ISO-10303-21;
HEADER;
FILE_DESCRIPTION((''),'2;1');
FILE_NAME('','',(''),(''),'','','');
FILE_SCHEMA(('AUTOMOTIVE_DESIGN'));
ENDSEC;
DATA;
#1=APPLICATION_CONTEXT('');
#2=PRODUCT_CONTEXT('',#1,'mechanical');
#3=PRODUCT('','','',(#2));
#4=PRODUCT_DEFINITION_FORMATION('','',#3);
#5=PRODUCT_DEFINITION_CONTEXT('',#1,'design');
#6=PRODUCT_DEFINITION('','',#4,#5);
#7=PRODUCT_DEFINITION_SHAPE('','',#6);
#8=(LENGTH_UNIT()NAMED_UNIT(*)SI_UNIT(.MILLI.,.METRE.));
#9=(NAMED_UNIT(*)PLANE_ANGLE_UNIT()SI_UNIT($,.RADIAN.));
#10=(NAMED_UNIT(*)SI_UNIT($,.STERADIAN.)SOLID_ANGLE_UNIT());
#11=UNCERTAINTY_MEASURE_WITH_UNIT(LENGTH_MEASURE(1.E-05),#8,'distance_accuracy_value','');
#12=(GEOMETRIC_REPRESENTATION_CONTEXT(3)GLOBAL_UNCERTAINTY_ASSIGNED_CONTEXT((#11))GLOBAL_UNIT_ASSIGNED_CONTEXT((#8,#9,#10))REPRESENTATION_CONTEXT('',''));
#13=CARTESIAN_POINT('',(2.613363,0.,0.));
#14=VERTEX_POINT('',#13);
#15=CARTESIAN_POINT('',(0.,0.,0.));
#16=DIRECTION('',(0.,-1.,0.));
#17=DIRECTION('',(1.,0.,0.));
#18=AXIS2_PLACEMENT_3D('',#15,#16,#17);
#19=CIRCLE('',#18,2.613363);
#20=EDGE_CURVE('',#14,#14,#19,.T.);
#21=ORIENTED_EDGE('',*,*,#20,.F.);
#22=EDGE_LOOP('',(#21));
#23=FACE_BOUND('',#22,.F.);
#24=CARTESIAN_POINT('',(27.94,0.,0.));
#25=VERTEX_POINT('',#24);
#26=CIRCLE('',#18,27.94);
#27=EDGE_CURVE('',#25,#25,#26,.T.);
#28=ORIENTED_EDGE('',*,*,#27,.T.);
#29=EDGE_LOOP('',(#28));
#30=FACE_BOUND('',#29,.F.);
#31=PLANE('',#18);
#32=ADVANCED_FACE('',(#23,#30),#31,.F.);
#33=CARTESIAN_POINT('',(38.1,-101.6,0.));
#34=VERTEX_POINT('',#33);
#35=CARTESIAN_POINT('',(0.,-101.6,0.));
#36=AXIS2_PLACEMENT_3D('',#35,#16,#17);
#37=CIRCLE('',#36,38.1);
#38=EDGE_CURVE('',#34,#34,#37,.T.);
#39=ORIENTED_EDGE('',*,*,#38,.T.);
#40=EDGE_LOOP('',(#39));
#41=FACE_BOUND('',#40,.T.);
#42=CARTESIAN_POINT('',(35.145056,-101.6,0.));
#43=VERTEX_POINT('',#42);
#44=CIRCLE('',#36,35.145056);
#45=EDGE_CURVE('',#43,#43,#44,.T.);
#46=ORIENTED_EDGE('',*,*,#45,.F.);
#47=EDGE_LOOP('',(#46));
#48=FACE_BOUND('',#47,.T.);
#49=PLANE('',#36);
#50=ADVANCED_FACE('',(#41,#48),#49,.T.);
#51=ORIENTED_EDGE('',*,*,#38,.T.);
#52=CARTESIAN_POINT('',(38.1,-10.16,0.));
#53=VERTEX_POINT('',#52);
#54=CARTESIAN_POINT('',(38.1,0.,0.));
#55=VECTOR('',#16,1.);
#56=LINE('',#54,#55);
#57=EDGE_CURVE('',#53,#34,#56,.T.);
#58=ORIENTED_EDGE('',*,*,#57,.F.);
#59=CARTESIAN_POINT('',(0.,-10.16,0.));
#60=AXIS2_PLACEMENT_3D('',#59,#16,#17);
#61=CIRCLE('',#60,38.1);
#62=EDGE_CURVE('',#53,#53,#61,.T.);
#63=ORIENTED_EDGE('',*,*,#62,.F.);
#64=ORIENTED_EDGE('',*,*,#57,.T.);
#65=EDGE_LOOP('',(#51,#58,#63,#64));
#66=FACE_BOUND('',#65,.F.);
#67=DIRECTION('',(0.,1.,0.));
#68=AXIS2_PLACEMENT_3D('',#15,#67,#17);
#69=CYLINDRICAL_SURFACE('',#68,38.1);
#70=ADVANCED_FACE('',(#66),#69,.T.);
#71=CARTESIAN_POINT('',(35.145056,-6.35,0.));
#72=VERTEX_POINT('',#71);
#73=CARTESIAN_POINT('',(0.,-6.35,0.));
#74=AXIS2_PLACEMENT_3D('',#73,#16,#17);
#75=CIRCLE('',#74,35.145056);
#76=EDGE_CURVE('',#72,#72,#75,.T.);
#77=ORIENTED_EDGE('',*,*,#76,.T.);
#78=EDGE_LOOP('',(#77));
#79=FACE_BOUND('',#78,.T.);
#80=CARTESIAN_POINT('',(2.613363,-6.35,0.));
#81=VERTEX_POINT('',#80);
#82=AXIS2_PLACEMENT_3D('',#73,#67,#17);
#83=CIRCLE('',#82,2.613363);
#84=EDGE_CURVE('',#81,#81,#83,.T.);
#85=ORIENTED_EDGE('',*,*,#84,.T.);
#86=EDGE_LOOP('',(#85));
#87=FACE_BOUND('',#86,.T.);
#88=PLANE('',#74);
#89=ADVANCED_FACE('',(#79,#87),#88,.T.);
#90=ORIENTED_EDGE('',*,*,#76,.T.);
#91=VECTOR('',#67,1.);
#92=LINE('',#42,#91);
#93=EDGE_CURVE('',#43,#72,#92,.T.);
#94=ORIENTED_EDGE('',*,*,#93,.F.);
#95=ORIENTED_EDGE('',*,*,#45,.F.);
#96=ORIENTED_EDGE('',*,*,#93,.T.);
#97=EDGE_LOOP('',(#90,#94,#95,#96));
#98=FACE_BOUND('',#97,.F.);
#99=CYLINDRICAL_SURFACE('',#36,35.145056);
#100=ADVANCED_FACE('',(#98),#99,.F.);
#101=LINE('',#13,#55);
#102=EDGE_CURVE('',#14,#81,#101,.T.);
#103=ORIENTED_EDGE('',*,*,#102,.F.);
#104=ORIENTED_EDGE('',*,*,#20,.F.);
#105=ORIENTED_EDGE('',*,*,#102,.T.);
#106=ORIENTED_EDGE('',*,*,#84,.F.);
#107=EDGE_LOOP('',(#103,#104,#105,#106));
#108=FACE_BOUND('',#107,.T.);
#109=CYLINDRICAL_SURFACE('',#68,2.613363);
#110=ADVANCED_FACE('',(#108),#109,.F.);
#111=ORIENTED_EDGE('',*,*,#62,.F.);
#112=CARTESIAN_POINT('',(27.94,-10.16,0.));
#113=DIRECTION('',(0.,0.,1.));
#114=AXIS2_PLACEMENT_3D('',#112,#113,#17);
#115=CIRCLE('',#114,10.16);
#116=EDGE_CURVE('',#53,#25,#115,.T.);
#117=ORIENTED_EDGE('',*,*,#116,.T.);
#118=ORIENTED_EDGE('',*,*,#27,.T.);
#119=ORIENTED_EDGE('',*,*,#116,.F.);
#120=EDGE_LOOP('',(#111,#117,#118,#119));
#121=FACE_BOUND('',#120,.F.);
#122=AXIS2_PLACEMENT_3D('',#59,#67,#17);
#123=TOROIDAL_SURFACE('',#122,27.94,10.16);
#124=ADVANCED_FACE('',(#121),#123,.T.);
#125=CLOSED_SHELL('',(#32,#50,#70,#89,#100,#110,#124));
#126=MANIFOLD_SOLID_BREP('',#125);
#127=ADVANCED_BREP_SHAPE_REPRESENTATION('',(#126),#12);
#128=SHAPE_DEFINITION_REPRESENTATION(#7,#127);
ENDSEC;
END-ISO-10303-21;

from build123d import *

# Parameters (mm, degrees)
F0_R     = 38.1
F0_R_2   = 34.063477528
F1_DEPTH = 101.6
F2_R     = 35.1450557453
F3_DEPTH = 95.25
F4_R     = 10.16
F5_R     = 2.6133627802
F6_DEPTH = 101.601


with BuildPart() as f1:
    # F0 (on Front) → F1 (new body)
    with BuildSketch(Plane.XZ):
        Circle(F0_R)
        Circle(F0_R_2, mode=Mode.SUBTRACT)
        Circle(F0_R_2)
    extrude(amount=F1_DEPTH)

    # F2 (on face) → F3 (cut)
    with BuildSketch(Plane.XZ.offset(101.6)):
        Circle(F2_R)
    extrude(amount=-F3_DEPTH, mode=Mode.SUBTRACT)

    # F4
    f4_edges = [f1.edges().sort_by_distance(p)[0] for p in [
        (-38.1, 0, 0),
    ]]
    fillet(f4_edges, radius=F4_R)

    # F5 (on Front) → F6 (cut, through all)
    with BuildSketch(Plane.XZ):
        Circle(F5_R)
    extrude(amount=F6_DEPTH, mode=Mode.SUBTRACT)


solid = f1.part
